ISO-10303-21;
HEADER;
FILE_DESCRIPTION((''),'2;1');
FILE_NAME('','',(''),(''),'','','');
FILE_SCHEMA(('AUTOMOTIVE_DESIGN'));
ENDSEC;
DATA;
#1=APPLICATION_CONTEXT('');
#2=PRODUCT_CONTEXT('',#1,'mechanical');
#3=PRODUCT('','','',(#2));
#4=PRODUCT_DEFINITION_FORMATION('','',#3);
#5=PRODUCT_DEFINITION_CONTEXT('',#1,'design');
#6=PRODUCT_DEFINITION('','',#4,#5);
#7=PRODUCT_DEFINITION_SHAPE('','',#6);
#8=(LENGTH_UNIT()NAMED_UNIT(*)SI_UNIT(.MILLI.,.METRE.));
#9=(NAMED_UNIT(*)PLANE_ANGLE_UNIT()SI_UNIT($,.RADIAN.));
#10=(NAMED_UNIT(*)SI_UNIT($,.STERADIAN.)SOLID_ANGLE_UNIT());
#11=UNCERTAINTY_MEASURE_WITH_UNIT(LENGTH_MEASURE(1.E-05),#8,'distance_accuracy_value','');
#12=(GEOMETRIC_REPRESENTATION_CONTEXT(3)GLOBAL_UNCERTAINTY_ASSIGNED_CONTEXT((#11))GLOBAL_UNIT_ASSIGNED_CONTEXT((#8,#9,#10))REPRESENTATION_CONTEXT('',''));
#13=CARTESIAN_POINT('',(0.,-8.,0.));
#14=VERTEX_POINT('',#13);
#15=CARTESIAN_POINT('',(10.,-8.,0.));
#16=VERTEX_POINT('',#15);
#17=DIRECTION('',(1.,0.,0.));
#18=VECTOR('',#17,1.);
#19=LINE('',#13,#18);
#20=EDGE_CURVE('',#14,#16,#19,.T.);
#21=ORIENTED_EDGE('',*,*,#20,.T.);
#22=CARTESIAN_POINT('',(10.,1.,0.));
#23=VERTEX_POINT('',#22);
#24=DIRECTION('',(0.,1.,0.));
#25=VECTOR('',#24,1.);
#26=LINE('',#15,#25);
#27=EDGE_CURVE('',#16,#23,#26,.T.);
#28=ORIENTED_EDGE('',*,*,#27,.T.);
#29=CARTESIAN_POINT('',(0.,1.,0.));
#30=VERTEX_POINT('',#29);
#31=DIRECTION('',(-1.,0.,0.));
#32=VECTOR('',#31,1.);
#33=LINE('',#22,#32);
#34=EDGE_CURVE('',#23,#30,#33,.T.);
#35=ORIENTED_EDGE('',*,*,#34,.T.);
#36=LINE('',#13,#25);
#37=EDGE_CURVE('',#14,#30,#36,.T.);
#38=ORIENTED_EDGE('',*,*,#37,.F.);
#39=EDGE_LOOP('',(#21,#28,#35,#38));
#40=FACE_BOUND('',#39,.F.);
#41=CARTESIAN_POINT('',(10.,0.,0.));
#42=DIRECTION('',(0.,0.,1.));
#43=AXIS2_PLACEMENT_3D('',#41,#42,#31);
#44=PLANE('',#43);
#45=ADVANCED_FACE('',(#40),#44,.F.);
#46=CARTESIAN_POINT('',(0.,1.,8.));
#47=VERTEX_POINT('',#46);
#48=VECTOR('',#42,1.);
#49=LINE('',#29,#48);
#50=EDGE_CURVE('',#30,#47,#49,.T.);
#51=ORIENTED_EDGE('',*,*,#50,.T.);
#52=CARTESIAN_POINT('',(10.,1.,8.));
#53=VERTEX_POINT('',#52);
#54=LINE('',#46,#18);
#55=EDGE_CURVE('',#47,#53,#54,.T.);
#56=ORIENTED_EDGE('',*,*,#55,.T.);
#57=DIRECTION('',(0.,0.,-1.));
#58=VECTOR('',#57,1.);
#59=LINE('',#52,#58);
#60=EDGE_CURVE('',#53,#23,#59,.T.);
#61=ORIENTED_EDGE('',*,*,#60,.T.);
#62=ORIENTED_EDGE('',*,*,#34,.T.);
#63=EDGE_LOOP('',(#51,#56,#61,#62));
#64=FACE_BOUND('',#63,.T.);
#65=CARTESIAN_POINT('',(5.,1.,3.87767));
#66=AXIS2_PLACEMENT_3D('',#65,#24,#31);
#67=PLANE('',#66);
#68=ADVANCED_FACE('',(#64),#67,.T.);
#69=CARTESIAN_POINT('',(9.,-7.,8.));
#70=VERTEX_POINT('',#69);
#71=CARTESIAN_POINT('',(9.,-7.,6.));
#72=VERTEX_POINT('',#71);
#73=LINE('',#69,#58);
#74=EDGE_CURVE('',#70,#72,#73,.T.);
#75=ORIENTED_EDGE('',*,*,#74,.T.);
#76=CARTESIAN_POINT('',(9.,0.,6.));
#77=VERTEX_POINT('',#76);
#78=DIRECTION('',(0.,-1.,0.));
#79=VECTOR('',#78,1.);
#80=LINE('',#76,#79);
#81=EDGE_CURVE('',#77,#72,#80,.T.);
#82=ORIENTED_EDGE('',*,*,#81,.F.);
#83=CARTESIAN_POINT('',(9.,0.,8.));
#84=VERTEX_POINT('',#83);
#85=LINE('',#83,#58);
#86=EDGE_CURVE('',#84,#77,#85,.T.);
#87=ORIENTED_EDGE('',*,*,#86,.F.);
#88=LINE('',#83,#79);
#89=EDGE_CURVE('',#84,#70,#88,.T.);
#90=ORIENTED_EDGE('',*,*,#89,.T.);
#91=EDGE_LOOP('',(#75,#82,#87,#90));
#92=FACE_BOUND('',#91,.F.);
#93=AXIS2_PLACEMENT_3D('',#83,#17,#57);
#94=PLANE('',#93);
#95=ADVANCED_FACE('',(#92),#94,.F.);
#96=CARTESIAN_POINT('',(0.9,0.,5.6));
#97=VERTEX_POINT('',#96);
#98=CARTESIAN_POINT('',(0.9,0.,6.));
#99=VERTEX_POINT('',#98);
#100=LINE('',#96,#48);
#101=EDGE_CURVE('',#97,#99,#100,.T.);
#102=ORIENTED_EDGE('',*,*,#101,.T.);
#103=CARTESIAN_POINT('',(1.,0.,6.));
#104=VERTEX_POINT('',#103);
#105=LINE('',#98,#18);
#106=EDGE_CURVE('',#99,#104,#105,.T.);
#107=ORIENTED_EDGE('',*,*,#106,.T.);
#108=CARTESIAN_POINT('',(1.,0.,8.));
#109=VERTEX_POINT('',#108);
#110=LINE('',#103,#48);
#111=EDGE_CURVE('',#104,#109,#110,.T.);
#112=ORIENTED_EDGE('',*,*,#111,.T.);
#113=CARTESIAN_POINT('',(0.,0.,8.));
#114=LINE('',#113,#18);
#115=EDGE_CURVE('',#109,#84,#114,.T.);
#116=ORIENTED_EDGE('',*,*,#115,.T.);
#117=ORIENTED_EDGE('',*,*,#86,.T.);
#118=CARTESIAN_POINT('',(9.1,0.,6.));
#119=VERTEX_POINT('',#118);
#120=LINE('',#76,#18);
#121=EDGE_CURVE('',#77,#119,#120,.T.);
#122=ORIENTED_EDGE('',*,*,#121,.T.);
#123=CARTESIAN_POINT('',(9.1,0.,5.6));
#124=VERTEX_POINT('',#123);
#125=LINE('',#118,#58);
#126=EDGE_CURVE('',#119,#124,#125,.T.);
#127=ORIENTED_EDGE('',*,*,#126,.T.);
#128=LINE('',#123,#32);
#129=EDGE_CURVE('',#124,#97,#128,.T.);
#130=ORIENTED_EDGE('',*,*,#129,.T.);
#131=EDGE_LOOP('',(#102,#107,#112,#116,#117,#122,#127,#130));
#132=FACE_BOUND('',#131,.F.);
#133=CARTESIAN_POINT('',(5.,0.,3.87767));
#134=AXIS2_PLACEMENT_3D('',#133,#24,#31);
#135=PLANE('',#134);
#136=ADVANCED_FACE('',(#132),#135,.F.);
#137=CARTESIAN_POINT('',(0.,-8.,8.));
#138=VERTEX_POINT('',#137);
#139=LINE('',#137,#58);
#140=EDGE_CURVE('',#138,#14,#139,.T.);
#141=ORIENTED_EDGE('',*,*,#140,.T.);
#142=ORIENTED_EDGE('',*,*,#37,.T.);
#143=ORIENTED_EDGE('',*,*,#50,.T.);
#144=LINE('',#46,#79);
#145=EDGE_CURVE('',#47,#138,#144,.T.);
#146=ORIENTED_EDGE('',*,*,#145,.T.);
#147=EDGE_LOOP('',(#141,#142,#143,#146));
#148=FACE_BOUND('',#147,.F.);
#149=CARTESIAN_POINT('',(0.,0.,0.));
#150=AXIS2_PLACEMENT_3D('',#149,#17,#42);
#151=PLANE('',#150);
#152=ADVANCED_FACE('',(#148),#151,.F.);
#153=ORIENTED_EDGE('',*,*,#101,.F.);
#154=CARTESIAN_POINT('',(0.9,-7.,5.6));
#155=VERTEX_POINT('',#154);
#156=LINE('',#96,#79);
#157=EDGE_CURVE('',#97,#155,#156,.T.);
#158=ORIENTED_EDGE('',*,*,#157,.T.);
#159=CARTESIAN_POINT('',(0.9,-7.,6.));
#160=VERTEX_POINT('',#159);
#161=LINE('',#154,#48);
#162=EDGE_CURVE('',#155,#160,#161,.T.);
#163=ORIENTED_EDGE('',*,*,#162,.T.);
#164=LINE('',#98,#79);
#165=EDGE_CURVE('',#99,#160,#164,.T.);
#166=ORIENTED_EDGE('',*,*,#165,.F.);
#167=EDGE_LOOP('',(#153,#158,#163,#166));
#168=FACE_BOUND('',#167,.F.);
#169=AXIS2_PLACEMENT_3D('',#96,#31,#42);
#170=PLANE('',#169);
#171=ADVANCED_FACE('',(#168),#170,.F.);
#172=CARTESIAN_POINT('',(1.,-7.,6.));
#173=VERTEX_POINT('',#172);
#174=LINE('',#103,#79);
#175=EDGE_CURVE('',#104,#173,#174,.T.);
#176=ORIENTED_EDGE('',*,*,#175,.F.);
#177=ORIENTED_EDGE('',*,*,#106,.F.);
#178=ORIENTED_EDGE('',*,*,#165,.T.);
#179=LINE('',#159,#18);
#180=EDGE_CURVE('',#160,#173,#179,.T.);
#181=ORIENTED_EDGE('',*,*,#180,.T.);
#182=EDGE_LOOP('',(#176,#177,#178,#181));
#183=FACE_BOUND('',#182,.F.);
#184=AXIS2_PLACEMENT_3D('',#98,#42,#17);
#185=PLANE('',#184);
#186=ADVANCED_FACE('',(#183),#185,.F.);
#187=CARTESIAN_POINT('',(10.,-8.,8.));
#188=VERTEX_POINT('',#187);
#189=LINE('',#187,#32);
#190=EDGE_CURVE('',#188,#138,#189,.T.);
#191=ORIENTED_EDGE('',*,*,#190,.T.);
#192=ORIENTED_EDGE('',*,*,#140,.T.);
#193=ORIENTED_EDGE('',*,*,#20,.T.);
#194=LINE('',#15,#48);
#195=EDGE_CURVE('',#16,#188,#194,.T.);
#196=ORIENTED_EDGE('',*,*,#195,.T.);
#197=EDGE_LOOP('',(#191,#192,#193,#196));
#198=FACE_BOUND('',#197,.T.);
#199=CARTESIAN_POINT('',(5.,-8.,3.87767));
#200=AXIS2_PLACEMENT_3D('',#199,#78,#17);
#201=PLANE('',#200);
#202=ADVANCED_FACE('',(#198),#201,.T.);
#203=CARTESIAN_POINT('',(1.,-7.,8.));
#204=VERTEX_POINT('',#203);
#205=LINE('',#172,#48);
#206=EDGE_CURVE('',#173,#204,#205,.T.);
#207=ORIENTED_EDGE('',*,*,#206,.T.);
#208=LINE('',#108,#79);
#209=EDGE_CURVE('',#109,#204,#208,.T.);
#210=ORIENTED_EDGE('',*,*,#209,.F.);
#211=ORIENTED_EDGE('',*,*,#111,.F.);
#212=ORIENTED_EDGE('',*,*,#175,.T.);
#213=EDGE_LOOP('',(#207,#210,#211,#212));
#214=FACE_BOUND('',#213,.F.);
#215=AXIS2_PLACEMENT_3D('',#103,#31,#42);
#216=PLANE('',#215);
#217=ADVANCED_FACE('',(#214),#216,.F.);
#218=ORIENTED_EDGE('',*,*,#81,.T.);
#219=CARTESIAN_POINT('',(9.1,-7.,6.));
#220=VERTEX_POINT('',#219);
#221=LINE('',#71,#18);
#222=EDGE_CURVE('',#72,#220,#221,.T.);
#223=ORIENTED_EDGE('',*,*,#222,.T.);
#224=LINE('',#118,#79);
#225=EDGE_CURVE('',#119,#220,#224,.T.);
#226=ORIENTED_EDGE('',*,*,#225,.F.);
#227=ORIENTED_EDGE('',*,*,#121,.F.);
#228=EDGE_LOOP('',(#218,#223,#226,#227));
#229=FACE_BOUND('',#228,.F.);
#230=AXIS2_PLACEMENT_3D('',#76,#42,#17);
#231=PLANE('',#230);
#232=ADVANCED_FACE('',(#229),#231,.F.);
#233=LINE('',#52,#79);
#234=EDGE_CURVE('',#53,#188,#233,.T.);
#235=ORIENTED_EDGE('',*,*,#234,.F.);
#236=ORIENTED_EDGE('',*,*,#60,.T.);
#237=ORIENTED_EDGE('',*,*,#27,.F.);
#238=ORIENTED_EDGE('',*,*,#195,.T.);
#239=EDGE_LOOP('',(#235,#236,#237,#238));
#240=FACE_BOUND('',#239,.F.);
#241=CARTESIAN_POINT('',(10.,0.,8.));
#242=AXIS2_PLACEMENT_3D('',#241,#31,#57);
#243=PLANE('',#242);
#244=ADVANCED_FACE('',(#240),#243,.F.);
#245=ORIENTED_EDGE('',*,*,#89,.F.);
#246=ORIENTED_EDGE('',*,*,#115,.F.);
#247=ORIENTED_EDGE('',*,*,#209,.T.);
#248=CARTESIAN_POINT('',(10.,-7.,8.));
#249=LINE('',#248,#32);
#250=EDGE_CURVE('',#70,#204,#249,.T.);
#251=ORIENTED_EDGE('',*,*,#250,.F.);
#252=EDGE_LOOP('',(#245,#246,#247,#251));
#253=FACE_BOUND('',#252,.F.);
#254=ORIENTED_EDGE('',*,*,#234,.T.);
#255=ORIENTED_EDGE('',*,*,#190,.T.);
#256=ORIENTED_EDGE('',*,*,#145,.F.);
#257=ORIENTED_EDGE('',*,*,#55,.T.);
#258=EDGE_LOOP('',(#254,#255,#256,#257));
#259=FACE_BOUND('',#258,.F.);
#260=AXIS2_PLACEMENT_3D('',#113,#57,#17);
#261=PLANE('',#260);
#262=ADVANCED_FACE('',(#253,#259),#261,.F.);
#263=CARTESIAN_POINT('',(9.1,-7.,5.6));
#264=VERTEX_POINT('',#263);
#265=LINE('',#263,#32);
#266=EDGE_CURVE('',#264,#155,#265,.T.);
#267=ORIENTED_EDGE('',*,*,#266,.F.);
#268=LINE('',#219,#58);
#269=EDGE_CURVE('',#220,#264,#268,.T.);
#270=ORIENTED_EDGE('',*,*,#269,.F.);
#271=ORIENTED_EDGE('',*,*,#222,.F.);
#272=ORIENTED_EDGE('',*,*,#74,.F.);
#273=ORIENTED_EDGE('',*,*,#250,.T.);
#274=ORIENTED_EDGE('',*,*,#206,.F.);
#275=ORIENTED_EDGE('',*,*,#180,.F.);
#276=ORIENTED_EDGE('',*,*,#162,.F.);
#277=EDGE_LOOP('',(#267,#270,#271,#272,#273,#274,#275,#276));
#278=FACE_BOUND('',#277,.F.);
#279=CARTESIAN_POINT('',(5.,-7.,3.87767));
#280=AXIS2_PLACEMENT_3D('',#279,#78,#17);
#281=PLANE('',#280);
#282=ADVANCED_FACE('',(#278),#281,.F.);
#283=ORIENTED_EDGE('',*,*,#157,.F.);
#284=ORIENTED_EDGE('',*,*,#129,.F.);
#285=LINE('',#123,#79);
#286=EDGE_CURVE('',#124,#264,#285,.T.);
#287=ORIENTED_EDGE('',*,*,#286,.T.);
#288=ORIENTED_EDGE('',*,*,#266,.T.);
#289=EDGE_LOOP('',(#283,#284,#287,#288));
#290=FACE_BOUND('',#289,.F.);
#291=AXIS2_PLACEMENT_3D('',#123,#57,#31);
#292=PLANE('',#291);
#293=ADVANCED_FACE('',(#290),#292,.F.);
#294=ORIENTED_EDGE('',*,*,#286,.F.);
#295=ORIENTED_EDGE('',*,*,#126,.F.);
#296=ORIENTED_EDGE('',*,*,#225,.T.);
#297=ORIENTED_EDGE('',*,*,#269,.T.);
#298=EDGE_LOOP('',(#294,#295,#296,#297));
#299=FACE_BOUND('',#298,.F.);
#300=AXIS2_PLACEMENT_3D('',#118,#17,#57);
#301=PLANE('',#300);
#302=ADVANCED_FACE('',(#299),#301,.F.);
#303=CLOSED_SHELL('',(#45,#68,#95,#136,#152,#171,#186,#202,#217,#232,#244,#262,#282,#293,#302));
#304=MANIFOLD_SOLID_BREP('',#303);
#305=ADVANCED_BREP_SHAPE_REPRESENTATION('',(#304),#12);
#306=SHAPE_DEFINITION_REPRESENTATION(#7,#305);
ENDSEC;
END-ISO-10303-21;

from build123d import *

# Parameters (mm, degrees)
F1_DEPTH = 7
F3_DEPTH = 1
F5_DEPTH = 1


with BuildPart() as f1:
    # F0 (on Front) → F1 (new body)
    with BuildSketch(Plane.XZ):
        Polygon((0, 8), (0, 0), (10, 0), (10, 8), (9, 8), (9, 6), (9.1, 6), (9.1, 5.6), (0.9, 5.6), (0.9, 6), (1, 6), (1, 8), align=None)
    extrude(amount=F1_DEPTH)

    # F2 (on face) → F3 (join)
    with BuildSketch(Plane.XZ.offset(7)):
        Polygon((1, 8), (0, 8), (0, 0), (10, 0), (10, 8), (9, 8), (9, 6), (9.1, 6), (9.1, 5.6), (0.9, 5.6), (0.9, 6), (1, 6), align=None)
        Polygon((9, 8), (1, 8), (1, 6), (0.9, 6), (0.9, 5.6), (9.1, 5.6), (9.1, 6), (9, 6), align=None)
    extrude(amount=F3_DEPTH)

    # F4 (on face) → F5 (join)
    with BuildSketch(Plane(origin=(0, 0, 0), x_dir=(-1, 0, 0), z_dir=(0, 1, 0))):
        Polygon((-9, 8), (-10, 8), (-10, 0), (0, 0), (0, 8), (-1, 8), (-1, 6), (-0.9, 6), (-0.9, 5.6), (-9.1, 5.6), (-9.1, 6), (-9, 6), align=None)
        Polygon((-1, 8), (-9, 8), (-9, 6), (-9.1, 6), (-9.1, 5.6), (-0.9, 5.6), (-0.9, 6), (-1, 6), align=None)
    extrude(amount=F5_DEPTH)


solid = f1.part
